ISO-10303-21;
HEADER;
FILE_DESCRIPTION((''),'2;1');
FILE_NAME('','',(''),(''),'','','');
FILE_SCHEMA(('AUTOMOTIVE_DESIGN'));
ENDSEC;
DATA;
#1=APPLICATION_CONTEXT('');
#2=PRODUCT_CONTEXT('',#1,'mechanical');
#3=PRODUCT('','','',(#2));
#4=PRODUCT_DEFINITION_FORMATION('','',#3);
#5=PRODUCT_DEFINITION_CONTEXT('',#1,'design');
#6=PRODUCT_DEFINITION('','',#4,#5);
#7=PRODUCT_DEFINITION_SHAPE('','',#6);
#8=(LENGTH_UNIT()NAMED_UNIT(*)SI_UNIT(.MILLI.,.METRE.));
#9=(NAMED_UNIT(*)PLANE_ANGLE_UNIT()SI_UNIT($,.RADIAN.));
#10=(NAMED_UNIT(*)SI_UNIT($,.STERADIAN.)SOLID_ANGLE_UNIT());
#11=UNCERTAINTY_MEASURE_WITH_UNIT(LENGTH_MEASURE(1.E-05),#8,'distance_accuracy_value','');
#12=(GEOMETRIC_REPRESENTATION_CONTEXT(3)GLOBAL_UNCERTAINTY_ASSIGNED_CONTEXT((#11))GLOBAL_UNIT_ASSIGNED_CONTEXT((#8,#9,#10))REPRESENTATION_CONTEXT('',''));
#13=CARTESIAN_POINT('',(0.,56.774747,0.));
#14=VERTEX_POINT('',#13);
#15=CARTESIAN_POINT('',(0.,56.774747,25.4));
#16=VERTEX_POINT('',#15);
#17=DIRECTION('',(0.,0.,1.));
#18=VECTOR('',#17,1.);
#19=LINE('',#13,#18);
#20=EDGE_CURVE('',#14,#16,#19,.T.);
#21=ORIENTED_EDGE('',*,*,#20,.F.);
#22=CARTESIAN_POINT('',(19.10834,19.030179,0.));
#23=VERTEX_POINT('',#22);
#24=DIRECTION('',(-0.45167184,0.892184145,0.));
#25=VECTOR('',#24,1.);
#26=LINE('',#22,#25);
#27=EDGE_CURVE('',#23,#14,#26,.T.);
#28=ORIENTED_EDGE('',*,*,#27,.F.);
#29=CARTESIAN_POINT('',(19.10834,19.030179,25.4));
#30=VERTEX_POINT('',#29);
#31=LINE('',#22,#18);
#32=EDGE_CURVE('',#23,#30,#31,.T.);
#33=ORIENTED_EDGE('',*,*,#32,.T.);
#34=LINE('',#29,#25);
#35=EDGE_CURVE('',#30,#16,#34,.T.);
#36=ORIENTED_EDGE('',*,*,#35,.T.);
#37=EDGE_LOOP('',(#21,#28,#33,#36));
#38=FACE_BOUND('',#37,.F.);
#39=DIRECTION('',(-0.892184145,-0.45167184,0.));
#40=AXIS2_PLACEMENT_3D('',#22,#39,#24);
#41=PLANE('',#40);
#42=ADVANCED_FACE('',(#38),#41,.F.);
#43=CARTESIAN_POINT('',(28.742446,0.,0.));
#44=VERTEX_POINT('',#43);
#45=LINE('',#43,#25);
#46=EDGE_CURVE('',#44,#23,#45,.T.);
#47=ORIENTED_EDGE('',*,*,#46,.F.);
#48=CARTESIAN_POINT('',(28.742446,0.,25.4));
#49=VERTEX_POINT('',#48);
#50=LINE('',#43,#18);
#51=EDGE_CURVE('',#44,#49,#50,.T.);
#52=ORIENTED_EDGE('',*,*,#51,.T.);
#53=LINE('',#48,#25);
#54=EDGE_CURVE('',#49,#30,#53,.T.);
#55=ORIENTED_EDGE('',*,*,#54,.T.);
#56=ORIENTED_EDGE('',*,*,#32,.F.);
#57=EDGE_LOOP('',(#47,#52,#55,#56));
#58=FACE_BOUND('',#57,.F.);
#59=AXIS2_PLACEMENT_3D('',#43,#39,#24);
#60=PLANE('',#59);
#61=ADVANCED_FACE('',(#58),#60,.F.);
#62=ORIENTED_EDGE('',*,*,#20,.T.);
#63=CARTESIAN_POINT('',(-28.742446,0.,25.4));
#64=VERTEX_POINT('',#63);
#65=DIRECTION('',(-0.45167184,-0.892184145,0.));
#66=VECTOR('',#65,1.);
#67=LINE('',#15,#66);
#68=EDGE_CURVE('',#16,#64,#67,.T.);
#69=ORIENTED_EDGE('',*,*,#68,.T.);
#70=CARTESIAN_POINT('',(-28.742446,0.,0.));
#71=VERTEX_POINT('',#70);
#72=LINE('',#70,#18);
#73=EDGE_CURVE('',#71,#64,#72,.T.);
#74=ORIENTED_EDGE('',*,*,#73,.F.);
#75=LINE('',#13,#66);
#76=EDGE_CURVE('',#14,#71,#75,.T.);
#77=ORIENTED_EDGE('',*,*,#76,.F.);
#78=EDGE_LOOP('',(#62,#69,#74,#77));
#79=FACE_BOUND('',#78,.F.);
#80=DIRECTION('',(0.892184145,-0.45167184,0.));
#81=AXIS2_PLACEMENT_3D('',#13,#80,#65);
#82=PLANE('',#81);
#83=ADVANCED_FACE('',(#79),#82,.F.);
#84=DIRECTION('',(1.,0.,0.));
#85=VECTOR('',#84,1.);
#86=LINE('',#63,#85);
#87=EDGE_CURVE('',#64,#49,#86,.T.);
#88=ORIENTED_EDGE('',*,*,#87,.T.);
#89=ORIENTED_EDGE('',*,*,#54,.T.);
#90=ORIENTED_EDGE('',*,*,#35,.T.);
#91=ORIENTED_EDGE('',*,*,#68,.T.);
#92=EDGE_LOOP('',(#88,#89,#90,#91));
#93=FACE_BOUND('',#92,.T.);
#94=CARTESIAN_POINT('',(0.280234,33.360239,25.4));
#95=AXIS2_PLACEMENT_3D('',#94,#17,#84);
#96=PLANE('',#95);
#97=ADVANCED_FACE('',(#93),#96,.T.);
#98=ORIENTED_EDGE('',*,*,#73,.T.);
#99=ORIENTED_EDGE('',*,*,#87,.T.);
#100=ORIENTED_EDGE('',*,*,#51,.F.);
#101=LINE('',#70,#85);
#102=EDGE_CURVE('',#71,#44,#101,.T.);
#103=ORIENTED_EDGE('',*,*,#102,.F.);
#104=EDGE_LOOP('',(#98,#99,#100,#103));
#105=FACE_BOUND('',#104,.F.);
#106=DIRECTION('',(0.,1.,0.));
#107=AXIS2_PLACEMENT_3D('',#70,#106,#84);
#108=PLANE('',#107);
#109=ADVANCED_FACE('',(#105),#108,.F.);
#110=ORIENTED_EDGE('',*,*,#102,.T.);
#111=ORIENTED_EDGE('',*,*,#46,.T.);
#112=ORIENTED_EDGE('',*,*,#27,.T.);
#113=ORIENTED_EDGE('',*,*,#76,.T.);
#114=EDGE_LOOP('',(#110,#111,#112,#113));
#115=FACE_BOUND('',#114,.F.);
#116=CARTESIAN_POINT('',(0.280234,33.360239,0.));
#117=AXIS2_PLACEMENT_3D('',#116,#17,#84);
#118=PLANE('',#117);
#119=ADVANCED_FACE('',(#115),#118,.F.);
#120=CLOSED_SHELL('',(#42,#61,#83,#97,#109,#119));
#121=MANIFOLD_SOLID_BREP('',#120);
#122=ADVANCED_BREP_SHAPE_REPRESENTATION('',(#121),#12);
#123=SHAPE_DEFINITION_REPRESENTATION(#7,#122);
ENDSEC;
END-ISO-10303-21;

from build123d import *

# Parameters (mm, degrees)
F1_DEPTH = 25.4


with BuildPart() as f1:
    # F0 (on Top) → F1 (new body)
    with BuildSketch(Plane.XY):
        with BuildLine():
            Line((19.1083402221, 19.0301792914), (0, 56.7747466266))
            Line((0, 56.7747466266), (-18.6123867168, 20.0098326919))
            ThreePointArc((-18.6123867168, 20.0098326919), (-9.7339185684, 24.2253853349), (0, 25.5851316548))
            ThreePointArc((0, 25.5851316548), (10.0780565858, 23.8348368227), (19.1083402221, 19.0301792914))
        make_face()
        with BuildLine():
            ThreePointArc((0, 0), (-13.5172235542, 6.0879759254), (-18.6123867168, 20.0098326919))
            Line((-18.6123867168, 20.0098326919), (-28.7424456328, 0))
            Line((-28.7424456328, 0), (0, 0))
        make_face()
        with BuildLine():
            ThreePointArc((0, 25.5851316548), (-9.7339185684, 24.2253853349), (-18.6123867168, 20.0098326919))
            ThreePointArc((-18.6123867168, 20.0098326919), (-13.5172235542, 6.0879759254), (0, 0))
            ThreePointArc((0, 0), (-9.1778023586, 12.7925658274), (0, 25.5851316548))
        make_face()
        with BuildLine():
            ThreePointArc((0, 0), (13.4633404908, 5.5898634848), (19.1083402221, 19.0301792914))
            ThreePointArc((19.1083402221, 19.0301792914), (10.0780565858, 23.8348368227), (0, 25.5851316548))
            ThreePointArc((0, 25.5851316548), (9.1809525544, 12.7925658274), (0, 0))
        make_face()
        with BuildLine():
            Line((28.7424456328, 0), (19.1083402221, 19.0301792914))
            ThreePointArc((19.1083402221, 19.0301792914), (13.4633404908, 5.5898634848), (0, 0))
            Line((0, 0), (28.7424456328, 0))
        make_face()
        with BuildLine():
            ThreePointArc((0, 0), (9.1809525544, 12.7925658274), (0, 25.5851316548))
            ThreePointArc((0, 25.5851316548), (-9.1778023586, 12.7925658274), (0, 0))
        make_face()
    extrude(amount=F1_DEPTH)


solid = f1.part
